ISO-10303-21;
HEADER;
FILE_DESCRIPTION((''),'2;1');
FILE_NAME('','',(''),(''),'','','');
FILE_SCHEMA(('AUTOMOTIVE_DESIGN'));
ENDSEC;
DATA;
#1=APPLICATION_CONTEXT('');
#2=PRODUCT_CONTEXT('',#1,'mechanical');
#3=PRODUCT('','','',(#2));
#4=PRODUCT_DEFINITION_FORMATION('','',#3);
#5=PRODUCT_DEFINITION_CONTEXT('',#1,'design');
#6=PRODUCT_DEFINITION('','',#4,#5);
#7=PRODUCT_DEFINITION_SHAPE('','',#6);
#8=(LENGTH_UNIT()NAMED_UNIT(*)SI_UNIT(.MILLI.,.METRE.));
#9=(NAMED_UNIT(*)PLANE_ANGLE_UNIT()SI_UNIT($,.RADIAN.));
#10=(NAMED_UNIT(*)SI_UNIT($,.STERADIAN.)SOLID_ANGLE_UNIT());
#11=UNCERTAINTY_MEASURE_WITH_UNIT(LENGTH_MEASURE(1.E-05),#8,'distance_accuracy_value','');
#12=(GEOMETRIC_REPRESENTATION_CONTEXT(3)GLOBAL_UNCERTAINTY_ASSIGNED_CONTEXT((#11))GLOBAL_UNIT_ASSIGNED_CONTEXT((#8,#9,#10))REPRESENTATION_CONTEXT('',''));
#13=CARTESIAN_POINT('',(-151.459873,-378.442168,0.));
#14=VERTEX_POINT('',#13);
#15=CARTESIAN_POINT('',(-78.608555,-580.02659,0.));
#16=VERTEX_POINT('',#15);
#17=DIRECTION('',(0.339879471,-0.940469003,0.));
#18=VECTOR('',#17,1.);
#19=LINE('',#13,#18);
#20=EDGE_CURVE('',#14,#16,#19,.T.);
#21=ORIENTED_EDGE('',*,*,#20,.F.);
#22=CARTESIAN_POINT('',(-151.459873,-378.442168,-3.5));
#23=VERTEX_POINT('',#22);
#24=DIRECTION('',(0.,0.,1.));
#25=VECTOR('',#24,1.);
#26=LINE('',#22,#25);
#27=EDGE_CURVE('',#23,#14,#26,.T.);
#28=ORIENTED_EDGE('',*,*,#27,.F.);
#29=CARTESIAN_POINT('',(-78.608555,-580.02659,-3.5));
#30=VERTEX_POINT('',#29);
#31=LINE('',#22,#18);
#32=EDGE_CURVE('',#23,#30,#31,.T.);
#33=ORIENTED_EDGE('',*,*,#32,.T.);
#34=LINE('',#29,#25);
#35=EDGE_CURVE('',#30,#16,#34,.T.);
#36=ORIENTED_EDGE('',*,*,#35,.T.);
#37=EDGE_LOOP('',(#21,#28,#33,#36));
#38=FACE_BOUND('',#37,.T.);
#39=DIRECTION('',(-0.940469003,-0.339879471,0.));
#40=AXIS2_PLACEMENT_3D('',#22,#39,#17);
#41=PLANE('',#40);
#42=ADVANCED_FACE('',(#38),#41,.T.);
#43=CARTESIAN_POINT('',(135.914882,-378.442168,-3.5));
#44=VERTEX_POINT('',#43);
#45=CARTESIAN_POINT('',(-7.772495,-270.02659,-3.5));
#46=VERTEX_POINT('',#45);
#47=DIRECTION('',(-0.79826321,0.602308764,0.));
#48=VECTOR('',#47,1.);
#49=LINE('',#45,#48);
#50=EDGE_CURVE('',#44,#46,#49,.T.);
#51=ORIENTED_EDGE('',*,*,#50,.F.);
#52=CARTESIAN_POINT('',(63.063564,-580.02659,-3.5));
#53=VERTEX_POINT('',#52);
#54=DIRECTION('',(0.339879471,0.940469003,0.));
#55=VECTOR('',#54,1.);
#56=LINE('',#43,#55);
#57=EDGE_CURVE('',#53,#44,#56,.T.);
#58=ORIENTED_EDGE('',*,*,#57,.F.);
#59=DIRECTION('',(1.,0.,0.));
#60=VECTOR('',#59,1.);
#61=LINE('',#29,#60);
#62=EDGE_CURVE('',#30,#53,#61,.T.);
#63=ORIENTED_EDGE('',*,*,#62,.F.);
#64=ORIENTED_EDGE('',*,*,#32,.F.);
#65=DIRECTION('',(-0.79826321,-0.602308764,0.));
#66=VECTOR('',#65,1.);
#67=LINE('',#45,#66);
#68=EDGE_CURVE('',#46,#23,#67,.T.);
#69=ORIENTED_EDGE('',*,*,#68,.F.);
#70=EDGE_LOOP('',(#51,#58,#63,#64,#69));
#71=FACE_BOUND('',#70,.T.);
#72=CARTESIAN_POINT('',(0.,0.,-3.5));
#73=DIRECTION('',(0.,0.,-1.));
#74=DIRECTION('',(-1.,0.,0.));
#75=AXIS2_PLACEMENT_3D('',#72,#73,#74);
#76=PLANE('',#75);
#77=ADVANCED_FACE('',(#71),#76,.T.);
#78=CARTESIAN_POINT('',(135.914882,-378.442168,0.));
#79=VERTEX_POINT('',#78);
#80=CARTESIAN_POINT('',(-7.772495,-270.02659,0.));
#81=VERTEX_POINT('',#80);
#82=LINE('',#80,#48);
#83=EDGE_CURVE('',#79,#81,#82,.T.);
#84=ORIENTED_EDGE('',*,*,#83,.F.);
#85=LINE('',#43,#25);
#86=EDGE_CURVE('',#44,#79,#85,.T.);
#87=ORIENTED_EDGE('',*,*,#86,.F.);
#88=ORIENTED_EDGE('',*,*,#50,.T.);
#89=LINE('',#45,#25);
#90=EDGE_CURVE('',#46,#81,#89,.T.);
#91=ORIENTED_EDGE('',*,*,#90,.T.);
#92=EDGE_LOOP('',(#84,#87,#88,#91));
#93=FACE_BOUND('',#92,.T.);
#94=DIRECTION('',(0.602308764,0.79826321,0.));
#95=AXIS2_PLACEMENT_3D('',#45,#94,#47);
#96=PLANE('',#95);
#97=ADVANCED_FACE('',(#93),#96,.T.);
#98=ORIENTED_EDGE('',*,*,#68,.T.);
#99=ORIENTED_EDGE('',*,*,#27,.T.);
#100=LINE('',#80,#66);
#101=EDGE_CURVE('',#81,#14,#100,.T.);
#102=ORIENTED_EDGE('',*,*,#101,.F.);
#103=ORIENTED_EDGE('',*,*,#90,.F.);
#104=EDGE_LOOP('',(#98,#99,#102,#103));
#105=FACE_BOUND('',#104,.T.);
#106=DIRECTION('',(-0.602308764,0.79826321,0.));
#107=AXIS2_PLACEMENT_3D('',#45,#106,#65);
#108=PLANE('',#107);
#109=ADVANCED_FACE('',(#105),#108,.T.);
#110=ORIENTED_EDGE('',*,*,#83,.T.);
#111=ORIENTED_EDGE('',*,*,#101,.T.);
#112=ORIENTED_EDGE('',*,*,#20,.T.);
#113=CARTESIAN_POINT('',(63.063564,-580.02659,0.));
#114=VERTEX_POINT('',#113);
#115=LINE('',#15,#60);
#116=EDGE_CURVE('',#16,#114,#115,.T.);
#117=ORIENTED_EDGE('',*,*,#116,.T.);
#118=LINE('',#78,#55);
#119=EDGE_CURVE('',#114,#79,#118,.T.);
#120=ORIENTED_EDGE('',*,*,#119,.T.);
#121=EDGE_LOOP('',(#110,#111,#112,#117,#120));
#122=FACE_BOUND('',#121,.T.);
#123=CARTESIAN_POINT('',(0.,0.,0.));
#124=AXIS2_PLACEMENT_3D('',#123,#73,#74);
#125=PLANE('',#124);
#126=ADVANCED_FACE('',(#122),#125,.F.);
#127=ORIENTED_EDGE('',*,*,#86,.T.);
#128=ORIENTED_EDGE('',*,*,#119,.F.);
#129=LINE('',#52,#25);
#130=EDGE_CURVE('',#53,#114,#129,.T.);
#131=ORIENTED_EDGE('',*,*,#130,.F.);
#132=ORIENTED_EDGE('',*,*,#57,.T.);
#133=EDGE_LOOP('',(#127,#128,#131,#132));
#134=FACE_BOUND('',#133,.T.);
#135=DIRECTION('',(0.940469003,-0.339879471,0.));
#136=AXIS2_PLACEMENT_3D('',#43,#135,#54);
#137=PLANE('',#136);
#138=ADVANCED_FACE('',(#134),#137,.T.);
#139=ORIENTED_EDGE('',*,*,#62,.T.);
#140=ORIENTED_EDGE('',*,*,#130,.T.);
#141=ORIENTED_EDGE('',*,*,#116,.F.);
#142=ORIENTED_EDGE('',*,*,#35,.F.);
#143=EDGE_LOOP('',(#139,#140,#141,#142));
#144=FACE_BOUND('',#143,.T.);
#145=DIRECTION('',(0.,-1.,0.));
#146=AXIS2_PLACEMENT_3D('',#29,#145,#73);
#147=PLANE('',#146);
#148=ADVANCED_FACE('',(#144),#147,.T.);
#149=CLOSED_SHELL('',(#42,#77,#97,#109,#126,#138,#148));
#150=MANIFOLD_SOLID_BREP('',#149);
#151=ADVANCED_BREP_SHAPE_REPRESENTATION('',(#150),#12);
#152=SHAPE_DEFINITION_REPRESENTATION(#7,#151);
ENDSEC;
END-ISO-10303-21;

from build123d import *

# Parameters (mm, degrees)
BOSS_EXTRU_1_DEPTH = 3.5


with BuildPart() as part:
    # Esquisse1 → Boss.-Extru.1 (new body)
    with BuildSketch(Plane.XY):
        Polygon((-7.772495449, -270.02659005), (-151.459873294, -378.442167565), (-78.608554807, -580.02659005), (63.06356391, -580.02659005), (135.914882397, -378.442167565), align=None)
    extrude(amount=-BOSS_EXTRU_1_DEPTH)


solid = part.part
